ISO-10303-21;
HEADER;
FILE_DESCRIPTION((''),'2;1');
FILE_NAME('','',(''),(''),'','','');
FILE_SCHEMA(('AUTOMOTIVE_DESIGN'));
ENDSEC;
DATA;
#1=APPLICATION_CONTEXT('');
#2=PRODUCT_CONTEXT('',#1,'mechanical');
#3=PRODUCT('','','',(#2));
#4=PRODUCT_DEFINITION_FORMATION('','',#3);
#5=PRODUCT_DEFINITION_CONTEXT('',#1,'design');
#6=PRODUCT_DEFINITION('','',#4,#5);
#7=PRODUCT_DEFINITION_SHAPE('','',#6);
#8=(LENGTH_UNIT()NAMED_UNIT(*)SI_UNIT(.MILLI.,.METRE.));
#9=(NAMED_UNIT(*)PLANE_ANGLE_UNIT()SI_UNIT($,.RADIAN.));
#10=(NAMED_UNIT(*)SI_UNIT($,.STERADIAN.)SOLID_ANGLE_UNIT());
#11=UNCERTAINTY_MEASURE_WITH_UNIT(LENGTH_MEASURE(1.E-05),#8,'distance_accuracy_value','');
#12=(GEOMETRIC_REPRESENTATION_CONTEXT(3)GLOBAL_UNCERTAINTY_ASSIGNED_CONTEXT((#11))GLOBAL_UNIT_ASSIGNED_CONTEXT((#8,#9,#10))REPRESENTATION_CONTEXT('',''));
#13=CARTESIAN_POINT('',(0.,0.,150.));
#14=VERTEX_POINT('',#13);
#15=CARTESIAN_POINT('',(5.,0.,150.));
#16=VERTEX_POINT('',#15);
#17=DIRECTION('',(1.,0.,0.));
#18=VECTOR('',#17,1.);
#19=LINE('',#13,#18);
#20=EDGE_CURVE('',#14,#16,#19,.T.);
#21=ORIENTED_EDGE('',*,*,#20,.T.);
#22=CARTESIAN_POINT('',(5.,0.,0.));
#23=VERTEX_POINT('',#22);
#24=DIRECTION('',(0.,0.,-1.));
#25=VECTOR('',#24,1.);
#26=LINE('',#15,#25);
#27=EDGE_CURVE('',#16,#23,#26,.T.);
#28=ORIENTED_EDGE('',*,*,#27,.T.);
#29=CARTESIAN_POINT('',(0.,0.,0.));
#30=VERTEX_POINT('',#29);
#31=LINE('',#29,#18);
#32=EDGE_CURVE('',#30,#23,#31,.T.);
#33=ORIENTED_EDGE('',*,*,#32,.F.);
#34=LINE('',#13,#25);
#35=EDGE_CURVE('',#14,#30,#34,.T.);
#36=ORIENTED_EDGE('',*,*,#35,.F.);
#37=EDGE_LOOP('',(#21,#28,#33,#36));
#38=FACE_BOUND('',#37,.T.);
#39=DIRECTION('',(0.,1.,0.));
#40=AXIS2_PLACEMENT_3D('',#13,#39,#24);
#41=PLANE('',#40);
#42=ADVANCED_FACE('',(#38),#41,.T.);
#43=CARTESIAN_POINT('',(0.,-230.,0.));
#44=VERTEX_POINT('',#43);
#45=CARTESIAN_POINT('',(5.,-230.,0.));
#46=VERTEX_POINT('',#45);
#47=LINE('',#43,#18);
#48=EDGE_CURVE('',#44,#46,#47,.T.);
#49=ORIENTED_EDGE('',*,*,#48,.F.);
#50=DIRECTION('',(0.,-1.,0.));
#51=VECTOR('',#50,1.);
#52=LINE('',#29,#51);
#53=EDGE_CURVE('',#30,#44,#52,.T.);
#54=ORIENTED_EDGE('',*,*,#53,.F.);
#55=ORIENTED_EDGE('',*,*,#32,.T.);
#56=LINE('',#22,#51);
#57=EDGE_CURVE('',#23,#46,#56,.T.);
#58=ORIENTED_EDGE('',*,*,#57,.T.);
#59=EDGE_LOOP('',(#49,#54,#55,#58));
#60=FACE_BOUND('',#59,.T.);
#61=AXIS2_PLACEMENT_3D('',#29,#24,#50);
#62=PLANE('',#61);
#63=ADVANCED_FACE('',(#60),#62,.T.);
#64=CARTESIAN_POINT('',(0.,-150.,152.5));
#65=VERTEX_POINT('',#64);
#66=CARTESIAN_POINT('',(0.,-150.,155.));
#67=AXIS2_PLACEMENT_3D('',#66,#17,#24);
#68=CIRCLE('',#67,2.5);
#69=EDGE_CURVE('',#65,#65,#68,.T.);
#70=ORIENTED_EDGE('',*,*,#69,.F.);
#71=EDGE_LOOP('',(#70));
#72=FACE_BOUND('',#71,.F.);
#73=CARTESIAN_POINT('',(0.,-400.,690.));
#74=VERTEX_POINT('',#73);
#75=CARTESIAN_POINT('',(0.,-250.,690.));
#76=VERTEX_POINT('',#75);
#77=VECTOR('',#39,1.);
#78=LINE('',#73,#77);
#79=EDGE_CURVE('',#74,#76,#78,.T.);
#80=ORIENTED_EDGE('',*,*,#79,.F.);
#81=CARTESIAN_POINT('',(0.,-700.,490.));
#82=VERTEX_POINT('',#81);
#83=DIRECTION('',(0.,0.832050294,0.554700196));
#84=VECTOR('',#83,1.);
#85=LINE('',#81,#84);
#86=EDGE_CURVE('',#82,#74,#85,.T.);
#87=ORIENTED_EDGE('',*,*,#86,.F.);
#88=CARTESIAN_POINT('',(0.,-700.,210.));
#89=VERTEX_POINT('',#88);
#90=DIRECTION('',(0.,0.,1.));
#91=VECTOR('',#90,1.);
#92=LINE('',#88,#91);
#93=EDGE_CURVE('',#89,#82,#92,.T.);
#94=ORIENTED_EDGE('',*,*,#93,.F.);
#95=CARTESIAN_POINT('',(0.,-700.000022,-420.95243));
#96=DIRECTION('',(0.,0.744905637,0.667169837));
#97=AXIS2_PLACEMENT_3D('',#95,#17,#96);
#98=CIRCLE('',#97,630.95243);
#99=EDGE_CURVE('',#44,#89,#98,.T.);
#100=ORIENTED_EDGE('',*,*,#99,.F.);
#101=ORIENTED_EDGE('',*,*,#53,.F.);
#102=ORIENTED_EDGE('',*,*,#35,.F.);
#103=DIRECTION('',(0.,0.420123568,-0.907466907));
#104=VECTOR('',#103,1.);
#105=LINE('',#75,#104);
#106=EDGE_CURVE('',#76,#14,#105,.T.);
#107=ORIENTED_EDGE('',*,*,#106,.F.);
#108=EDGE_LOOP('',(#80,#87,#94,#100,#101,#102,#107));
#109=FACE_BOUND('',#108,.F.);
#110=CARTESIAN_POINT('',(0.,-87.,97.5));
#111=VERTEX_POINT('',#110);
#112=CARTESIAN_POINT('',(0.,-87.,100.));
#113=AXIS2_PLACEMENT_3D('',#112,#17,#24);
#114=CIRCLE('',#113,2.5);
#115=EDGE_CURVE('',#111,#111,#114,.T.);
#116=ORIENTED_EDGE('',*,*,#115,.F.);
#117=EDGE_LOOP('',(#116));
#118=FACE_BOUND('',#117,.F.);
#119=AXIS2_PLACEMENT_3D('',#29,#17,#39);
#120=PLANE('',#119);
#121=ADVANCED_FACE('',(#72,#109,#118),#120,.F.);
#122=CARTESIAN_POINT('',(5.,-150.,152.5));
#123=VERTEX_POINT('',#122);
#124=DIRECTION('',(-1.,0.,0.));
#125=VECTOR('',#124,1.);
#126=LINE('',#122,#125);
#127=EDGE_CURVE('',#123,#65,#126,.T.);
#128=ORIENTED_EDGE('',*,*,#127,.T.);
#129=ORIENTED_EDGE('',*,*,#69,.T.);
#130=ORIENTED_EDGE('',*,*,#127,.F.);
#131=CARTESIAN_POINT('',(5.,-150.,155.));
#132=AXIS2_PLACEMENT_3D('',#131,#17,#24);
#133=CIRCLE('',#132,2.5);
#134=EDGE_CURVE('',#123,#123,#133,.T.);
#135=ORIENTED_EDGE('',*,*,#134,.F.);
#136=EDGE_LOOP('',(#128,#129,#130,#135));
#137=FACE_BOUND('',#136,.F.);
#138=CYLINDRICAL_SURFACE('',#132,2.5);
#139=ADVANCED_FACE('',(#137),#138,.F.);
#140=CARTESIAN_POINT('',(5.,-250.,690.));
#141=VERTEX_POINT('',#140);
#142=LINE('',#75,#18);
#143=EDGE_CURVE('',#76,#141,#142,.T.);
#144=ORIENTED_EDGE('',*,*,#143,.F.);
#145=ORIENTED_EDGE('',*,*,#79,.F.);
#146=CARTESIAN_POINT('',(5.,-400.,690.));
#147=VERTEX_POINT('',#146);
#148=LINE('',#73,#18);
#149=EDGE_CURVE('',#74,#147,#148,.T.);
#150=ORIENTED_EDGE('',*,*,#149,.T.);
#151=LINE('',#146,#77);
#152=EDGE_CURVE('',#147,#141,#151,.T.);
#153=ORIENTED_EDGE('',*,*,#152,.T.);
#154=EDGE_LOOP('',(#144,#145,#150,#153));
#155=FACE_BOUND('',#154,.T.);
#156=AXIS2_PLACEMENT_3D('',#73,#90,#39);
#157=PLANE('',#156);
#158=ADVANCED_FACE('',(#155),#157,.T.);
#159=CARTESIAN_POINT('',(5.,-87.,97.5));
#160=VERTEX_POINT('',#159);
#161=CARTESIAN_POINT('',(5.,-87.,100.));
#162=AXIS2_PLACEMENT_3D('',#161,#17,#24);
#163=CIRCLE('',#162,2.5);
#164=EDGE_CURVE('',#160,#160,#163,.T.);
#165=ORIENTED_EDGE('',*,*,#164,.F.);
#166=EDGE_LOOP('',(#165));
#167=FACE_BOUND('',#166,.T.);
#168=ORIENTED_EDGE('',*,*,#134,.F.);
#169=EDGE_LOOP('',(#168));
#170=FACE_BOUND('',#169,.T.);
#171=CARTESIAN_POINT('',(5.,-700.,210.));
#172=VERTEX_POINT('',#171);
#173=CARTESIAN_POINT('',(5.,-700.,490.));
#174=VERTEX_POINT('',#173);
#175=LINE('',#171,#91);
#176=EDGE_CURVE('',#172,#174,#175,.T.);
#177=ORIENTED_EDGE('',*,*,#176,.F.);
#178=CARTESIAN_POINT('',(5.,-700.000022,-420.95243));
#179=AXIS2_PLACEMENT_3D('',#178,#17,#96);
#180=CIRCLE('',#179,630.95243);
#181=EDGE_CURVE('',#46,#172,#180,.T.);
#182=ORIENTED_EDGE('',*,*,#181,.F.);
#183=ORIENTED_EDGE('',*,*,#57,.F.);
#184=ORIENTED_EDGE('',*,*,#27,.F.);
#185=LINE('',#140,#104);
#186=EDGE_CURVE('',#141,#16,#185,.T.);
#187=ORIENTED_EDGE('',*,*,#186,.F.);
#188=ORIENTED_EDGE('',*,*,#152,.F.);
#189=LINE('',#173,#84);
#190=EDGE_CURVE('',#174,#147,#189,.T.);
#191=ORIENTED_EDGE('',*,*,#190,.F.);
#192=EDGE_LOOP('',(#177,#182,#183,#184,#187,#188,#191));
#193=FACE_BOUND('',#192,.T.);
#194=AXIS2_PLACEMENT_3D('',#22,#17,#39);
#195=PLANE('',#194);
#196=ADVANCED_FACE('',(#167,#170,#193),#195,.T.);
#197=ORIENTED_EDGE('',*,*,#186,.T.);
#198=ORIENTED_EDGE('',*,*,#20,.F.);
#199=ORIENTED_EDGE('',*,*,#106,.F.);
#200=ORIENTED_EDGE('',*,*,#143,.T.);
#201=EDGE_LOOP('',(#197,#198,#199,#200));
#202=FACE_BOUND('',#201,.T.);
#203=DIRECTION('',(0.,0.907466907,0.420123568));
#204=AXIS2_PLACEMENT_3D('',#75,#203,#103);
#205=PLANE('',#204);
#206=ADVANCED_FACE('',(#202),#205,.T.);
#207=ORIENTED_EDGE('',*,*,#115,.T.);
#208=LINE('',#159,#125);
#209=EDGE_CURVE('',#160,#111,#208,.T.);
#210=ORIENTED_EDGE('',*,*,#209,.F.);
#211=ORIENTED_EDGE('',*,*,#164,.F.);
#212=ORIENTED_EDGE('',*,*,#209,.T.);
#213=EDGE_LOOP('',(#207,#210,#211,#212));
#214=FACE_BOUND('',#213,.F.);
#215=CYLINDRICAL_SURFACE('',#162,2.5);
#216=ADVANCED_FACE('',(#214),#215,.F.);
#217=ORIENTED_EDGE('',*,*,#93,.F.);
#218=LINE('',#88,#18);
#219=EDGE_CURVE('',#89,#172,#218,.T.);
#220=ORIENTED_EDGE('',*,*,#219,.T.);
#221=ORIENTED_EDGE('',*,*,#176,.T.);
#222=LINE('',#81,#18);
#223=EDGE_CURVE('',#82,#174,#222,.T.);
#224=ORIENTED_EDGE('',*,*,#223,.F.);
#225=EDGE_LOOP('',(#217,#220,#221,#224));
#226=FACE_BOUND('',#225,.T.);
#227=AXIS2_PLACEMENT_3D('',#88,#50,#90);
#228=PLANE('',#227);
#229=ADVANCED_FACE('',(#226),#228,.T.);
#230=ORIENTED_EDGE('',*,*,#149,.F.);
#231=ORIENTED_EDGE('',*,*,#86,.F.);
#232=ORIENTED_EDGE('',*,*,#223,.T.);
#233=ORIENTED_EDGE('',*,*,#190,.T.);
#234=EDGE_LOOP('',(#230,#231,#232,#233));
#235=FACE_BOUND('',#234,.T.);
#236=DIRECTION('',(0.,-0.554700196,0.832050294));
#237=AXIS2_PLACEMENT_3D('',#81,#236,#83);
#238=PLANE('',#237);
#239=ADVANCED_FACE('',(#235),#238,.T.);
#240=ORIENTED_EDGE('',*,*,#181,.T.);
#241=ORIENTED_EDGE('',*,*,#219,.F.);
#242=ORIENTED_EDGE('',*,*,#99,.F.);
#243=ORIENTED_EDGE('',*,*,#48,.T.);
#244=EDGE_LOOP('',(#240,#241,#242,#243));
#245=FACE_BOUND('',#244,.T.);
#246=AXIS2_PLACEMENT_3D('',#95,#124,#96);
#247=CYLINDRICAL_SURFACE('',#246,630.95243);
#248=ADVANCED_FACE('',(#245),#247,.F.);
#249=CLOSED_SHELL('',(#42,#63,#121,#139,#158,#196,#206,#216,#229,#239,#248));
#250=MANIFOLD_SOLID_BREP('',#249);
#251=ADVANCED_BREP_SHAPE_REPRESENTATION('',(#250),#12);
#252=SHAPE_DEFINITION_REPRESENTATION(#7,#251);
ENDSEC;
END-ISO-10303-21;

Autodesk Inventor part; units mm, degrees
ref_plane "YZ Plane" through (0, 0, 0) normal (1, 0, 0) x (0, 1, 0)
ref_plane "XZ Plane" through (0, 0, 0) normal (0, 1, 0) x (-1, 0, 0)
ref_plane "XY Plane" through (0, 0, 0) normal (0, 0, 1) x (1, 0, 0)
sketch "スケッチ1" plane through (0, 0, 0) normal (1, 0, 0) x (0, 1, 0)
  line L0 (-700, 210) -> (-700, 490)
  line L1 (-700, 490) -> (-400, 690)
  line L2 (-400, 690) -> (-250, 690)
  line L3 (-250, 690) -> (0, 150)
  line L4 (0, 150) -> (0, 0)
  line L5 (0, 0) -> (-230, 0)
  arc A0 (-230, 0) -> (-700, 210) centre (-700, -420.9524) ccw
  dimension "d0" = 690
  dimension "d1" = 280
  dimension "d2" = 200
  dimension "d3" = 300
  dimension "d4" = 150
  dimension "d5" = 700
  dimension "d6" = 230
  dimension "d7" = 150
extrude "押し出し1" add sketch "スケッチ1" along normal blind 5
sketch "スケッチ2" plane through (5, 0, 0) normal (1, 0, 0) x (0, 0, -1)
  circle A0 centre (-100, -87) radius 2.5
  line L0 (0, 0) -> (-150, 0) projected
  line L1 (0, -230) -> (0, 0) projected
  circle A1 centre (-155, -150) radius 2.5
  dimension "d10" = 87
  dimension "d11" = 100
  dimension "d12" = 5
  dimension "d13" = 150
  dimension "d14" = 155
  dimension "d15" = 5
extrude "押し出し2" cut sketch "スケッチ2" against normal through all
properties part number "end_plate" material "CFRP"
